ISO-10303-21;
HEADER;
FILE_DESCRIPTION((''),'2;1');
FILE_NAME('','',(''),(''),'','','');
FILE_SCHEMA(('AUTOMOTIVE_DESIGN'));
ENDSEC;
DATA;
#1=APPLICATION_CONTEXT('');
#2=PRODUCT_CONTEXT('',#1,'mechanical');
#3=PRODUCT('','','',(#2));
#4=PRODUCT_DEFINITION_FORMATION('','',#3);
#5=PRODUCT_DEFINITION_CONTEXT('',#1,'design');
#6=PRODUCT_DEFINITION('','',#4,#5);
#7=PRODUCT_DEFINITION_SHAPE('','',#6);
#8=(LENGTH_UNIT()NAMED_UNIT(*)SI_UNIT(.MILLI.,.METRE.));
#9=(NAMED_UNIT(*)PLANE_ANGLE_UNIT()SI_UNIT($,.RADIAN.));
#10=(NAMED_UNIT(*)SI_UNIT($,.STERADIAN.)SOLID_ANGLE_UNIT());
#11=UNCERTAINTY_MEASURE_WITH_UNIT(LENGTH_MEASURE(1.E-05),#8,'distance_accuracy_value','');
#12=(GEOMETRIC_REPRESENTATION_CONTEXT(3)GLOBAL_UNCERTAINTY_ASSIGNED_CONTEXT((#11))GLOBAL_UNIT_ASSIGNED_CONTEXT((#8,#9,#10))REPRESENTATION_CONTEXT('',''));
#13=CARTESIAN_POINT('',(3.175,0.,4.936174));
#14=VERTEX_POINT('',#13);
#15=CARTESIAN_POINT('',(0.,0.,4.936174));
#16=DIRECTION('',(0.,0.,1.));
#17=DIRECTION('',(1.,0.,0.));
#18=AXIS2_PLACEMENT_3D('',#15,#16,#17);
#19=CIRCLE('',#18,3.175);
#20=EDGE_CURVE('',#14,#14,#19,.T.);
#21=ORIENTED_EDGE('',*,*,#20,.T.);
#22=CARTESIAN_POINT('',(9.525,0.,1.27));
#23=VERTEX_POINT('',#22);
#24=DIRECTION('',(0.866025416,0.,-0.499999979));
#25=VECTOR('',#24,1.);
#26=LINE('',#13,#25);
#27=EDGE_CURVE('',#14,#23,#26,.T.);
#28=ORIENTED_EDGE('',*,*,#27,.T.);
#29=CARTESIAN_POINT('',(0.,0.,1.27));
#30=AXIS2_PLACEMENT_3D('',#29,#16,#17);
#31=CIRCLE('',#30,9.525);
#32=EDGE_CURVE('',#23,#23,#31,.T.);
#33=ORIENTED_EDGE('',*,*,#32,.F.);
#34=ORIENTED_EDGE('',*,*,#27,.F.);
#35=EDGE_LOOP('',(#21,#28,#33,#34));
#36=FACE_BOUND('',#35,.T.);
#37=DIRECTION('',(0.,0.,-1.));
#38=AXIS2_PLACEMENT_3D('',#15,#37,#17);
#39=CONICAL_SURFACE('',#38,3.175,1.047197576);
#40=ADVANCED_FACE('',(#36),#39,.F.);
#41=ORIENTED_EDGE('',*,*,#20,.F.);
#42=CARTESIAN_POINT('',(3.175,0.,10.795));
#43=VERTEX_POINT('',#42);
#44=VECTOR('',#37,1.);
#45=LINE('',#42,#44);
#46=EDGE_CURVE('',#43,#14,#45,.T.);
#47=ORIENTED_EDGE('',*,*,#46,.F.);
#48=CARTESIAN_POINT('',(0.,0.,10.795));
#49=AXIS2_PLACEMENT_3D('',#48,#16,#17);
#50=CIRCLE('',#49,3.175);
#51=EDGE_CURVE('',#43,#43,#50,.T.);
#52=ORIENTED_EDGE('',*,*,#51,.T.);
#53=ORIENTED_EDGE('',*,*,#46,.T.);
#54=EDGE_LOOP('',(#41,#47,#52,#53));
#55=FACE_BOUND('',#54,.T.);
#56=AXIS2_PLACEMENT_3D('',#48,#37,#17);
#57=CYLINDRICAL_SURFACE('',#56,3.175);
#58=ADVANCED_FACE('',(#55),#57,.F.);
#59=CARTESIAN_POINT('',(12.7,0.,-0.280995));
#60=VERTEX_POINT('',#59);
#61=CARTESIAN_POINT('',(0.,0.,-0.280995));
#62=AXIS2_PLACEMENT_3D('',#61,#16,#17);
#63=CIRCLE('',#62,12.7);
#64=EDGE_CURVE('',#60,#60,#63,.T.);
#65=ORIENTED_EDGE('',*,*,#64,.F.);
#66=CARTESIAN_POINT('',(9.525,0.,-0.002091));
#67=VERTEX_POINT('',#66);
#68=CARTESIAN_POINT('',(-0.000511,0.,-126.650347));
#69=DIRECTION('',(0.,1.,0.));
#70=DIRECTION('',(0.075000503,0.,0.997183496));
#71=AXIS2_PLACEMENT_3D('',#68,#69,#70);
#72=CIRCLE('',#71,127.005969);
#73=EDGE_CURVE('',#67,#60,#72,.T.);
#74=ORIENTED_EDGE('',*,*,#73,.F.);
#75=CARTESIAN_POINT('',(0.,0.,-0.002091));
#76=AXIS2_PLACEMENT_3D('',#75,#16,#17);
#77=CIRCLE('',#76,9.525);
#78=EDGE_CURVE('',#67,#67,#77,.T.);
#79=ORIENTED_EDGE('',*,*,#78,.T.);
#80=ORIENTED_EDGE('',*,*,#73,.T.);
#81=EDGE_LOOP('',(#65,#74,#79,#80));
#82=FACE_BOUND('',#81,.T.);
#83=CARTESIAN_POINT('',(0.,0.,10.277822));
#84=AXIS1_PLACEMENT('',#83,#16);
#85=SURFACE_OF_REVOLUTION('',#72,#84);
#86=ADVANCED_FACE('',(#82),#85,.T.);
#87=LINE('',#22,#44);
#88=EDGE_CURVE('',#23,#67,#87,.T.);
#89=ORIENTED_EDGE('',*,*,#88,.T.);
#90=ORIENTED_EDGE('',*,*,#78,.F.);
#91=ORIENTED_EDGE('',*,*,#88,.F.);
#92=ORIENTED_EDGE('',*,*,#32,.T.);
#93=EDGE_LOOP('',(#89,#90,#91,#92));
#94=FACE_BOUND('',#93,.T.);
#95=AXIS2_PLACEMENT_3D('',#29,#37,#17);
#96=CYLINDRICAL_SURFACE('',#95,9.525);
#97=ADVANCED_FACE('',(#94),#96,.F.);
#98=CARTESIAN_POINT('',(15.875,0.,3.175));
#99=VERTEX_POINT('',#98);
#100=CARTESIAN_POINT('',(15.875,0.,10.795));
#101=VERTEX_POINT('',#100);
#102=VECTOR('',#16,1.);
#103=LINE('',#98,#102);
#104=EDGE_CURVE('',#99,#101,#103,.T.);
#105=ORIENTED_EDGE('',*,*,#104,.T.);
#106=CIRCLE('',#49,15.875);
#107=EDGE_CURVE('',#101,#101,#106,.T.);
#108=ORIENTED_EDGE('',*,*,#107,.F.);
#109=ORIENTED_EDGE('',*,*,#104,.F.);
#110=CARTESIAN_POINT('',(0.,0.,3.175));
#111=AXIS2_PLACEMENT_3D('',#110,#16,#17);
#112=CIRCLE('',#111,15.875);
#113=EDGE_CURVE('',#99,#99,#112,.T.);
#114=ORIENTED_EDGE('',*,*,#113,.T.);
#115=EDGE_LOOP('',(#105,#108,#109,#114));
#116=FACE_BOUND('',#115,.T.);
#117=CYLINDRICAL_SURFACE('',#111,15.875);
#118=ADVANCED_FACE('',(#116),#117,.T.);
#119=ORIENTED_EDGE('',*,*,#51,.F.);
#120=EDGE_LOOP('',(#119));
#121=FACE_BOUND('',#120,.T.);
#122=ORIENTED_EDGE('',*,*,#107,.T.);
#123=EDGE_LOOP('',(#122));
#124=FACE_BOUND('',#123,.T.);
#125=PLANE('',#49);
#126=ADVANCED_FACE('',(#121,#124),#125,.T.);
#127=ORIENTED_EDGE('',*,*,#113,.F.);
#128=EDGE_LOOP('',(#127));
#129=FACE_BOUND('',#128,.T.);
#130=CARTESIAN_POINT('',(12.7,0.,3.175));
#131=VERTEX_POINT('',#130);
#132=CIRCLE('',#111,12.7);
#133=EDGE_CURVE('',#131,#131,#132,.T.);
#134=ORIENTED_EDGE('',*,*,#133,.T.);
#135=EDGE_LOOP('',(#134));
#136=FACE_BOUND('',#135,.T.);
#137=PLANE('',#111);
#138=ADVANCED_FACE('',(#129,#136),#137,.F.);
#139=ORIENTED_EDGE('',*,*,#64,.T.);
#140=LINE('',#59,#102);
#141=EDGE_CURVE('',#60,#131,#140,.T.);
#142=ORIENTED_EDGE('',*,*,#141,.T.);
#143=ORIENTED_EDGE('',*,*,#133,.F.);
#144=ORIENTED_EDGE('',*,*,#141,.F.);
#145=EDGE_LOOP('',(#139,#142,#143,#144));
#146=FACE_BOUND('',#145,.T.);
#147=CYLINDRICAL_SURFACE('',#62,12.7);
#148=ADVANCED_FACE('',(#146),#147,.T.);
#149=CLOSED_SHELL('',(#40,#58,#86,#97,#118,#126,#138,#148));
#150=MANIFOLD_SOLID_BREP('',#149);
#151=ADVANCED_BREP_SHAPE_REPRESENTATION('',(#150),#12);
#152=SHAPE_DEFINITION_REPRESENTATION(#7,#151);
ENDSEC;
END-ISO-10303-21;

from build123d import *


with BuildPart() as f1:
    # F0 (on Front) → F1 (revolve)
    with BuildSketch(Plane.XZ):
        with BuildLine():
            Line((3.175, 4.936174), (9.525, 1.27))
            Line((9.525, 1.27), (9.525, -0.002091))
            ThreePointArc((9.525, -0.002091), (11.113375, -0.131583), (12.7, -0.280995))
            Line((12.7, -0.280995), (12.7, 3.175))
            Line((12.7, 3.175), (15.875, 3.175))
            Line((15.875, 3.175), (15.875, 10.795))
            Line((15.875, 10.795), (3.175, 10.795))
            Line((3.175, 10.795), (3.175, 4.936174))
        make_face()
    revolve(axis=Axis((0, 0, 10.277822), (0, 0, 1)))


solid = f1.part
